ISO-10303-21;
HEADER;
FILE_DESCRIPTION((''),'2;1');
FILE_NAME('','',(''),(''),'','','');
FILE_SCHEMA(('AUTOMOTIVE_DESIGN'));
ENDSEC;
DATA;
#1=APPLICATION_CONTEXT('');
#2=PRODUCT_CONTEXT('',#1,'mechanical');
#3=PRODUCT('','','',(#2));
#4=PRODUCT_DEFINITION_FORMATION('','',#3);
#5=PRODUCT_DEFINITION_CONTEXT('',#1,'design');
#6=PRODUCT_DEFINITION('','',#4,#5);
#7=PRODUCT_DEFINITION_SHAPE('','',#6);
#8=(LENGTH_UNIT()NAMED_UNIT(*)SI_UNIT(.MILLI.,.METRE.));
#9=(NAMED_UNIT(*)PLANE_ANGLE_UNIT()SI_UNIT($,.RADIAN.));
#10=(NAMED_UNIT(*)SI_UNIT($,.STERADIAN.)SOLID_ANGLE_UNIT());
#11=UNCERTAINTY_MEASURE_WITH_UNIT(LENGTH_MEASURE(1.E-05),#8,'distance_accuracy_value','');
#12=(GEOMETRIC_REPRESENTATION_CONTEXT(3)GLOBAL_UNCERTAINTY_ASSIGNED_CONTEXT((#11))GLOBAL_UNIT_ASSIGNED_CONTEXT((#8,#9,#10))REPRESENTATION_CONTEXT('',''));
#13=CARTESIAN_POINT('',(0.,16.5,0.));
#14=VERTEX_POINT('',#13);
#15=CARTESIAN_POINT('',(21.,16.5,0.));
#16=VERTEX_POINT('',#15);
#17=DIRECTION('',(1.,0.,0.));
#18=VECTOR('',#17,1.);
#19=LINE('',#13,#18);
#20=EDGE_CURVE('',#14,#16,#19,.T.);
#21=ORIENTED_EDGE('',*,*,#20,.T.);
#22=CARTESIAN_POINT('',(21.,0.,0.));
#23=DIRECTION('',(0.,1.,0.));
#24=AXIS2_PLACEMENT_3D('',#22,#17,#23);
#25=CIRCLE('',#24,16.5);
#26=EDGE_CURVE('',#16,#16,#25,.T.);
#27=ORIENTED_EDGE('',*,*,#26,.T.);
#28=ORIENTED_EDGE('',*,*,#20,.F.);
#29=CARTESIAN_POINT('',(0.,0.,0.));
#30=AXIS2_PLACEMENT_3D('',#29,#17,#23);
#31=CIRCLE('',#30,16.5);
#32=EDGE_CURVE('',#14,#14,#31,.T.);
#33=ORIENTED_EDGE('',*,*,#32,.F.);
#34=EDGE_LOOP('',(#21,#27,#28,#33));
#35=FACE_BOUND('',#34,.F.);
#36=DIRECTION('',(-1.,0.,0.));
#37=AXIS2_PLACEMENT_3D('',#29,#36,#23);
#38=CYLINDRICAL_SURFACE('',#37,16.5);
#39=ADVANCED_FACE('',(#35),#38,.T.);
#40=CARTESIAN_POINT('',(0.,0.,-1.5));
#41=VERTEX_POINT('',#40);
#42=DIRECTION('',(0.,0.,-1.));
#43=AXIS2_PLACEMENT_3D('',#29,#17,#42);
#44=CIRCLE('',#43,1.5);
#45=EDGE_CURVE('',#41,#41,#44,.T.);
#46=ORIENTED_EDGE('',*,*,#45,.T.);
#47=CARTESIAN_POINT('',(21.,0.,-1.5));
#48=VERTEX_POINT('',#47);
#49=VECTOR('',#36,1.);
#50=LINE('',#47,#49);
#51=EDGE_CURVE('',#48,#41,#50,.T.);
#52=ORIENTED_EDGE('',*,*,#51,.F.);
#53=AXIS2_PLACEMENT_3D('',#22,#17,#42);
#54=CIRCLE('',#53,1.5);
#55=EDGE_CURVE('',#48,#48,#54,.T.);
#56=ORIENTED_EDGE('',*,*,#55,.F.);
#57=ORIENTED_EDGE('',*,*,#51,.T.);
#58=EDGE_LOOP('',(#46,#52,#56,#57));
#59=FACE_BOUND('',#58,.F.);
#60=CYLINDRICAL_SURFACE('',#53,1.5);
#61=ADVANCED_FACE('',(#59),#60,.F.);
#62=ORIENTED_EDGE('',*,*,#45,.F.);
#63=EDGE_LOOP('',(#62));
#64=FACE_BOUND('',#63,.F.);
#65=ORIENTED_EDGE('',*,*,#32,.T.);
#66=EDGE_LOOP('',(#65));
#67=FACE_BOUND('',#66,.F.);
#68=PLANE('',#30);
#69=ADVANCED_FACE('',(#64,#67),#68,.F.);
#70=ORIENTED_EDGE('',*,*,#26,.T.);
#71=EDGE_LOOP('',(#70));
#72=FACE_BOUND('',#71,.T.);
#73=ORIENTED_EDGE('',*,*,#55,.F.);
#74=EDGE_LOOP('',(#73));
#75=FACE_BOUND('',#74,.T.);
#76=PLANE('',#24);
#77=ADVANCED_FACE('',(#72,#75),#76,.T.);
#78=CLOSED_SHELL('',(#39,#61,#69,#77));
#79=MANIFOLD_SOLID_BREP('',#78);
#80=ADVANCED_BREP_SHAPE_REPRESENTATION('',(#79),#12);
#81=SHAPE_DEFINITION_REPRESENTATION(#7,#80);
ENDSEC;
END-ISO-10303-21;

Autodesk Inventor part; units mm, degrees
ref_plane "YZ Plane" through (0, 0, 0) normal (1, 0, 0) x (0, 1, 0)
ref_plane "XZ Plane" through (0, 0, 0) normal (0, 1, 0) x (-1, 0, 0)
ref_plane "XY Plane" through (0, 0, 0) normal (0, 0, 1) x (1, 0, 0)
sketch "Sketch1" plane through (0, 0, 0) normal (1, 0, 0) x (0, 1, 0)
  circle A0 centre (0, 0) radius 16.5
  dimension "d0" = 33
extrude "Extrusion1" add sketch "Sketch1" along normal blind 21
sketch "Sketch2" plane through (21, 0, 0) normal (1, 0, 0) x (0, 0, -1)
  circle A0 centre (0, 0) radius 1.5
  dimension "d3" = 3
extrude "Extrusion2" cut sketch "Sketch2" against normal through all
properties part number "wheel" material "Rubber, Silicone"
